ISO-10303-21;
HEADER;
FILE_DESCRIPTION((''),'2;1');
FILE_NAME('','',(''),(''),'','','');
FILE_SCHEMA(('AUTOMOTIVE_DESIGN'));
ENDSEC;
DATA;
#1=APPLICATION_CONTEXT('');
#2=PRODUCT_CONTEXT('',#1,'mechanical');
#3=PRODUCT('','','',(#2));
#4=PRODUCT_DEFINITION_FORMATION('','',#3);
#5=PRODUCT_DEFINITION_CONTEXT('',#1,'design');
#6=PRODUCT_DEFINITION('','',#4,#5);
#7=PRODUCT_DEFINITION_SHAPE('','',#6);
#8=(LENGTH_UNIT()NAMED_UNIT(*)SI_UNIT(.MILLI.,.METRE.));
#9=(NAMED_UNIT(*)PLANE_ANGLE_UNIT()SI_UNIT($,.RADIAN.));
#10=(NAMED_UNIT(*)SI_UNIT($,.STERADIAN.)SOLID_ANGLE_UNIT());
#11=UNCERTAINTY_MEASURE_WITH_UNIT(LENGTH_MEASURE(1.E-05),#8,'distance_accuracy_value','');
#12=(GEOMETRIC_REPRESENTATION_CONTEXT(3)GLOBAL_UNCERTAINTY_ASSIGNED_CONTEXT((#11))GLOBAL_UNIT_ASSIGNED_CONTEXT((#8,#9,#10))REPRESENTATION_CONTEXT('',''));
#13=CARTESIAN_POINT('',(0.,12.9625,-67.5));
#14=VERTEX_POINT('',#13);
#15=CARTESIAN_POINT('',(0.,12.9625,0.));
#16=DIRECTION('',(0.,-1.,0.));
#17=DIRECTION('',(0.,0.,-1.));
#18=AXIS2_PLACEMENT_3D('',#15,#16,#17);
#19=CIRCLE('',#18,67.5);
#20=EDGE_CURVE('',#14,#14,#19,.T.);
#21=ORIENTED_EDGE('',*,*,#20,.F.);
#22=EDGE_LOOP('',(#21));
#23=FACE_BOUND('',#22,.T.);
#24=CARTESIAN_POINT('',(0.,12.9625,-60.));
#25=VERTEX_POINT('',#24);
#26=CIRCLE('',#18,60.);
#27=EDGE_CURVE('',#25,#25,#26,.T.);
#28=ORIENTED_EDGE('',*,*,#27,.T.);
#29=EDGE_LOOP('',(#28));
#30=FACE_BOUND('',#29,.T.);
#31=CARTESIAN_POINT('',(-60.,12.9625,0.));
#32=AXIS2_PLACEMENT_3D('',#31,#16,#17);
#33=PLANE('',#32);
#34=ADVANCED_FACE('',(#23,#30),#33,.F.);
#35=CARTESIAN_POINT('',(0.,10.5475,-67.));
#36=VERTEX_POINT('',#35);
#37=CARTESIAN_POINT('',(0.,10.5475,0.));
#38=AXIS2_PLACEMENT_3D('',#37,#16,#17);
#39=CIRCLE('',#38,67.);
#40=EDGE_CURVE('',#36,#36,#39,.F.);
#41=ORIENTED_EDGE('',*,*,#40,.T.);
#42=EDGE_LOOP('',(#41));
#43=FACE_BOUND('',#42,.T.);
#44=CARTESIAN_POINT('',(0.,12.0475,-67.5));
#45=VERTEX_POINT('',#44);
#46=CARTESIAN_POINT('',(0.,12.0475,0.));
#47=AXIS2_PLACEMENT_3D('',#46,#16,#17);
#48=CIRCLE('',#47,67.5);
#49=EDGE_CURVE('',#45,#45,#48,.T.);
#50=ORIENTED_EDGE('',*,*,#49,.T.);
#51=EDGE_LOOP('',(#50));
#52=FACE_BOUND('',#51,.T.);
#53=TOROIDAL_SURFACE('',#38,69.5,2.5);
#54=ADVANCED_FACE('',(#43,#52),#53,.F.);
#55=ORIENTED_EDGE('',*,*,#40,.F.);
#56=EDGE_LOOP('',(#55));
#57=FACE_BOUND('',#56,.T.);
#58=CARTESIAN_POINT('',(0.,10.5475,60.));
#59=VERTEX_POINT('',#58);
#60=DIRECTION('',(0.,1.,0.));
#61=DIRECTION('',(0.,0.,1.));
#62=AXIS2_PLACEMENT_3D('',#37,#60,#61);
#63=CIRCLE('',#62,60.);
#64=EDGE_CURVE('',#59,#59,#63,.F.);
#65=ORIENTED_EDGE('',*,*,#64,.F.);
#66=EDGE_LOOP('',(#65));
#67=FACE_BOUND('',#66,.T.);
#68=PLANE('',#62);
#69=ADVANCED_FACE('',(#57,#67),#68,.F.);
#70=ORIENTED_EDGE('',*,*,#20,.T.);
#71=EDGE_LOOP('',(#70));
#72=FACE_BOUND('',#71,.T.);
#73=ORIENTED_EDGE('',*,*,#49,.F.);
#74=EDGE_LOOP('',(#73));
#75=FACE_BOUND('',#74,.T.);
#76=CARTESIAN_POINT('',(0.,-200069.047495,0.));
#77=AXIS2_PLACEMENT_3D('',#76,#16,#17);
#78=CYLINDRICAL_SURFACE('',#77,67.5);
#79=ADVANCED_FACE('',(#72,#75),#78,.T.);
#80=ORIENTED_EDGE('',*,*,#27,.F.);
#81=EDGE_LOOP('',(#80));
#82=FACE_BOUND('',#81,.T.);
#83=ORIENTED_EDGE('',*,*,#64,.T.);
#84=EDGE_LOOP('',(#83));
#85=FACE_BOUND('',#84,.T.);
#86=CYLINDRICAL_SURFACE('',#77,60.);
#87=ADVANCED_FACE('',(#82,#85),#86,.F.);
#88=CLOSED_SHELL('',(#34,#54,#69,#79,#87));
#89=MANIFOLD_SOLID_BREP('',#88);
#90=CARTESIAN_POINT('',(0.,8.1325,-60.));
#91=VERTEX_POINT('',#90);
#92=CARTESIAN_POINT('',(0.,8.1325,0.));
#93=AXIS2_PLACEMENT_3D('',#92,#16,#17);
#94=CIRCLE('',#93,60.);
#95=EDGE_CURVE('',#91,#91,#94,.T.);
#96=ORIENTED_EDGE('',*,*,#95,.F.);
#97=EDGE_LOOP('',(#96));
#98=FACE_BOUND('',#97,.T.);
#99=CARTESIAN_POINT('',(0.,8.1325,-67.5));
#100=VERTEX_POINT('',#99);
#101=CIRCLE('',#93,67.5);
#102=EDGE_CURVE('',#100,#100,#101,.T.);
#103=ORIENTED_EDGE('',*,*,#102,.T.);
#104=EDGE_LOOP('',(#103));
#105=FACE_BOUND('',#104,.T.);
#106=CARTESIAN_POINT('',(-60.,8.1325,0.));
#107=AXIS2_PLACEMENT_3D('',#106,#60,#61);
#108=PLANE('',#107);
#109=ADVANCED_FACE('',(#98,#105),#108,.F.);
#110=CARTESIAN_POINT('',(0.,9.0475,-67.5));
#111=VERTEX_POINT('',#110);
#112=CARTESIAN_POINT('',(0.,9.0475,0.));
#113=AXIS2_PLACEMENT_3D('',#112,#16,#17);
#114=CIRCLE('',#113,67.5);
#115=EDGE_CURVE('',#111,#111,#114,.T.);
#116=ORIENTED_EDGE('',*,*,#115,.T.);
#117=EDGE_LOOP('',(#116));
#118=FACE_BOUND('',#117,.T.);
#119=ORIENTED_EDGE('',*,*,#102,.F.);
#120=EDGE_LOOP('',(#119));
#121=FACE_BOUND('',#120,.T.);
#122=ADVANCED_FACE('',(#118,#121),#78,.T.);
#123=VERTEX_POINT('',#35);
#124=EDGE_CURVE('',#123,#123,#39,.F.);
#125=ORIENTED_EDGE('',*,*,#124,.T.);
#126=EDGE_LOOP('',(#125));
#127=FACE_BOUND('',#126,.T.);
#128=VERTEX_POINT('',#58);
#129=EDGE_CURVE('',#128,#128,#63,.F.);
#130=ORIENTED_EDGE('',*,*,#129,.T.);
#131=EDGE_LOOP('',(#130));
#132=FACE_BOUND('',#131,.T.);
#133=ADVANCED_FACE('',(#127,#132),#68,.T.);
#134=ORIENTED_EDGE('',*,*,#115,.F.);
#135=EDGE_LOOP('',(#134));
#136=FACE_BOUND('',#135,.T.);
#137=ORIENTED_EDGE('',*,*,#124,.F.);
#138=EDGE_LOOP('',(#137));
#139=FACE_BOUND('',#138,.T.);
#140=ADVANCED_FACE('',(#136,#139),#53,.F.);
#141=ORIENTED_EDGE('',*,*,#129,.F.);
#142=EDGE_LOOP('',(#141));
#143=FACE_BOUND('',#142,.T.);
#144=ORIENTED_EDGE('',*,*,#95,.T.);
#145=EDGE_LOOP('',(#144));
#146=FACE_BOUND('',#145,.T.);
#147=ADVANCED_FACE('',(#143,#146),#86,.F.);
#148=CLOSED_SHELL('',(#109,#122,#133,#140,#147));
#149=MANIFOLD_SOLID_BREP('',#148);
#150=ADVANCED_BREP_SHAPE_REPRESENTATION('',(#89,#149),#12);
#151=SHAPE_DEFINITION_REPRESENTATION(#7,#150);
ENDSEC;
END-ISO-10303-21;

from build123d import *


with BuildPart() as part:
    # Sketch1 → Revolve1 (revolve)
    with BuildSketch(Plane.XY, mode=Mode.PRIVATE) as revolve1_sk:
        with BuildLine():
            Line((-67.5, 12.0475), (-67.5, 12.9625))
            Line((-67.5, 12.9625), (-60, 12.9625))
            Line((-60, 12.9625), (-60, 8.1325))
            Line((-60, 8.1325), (-67.5, 8.1325))
            Line((-67.5, 8.1325), (-67.5, 9.0475))
            ThreePointArc((-67.5, 9.0475), (-67, 10.5475), (-67.5, 12.0475))
        make_face()
    revolve(revolve1_sk.sketch.rotate(Axis((0, -200069.047495165, 0), (0, 1, 0)), 270), axis=Axis((0, -200069.047495165, 0), (0, 1, 0)))


with BuildPart() as body_2:
    # Split1: the piece on the far side of the plane
    add(part.part)
    split(bisect_by=Plane.ZX.offset(10.5475), keep=Keep.BOTTOM)


with BuildPart() as part_1:
    add(part.part)

    # Split1
    split(bisect_by=Plane.ZX.offset(10.5475), keep=Keep.TOP)


solid = Compound([body_2.part, part_1.part])
